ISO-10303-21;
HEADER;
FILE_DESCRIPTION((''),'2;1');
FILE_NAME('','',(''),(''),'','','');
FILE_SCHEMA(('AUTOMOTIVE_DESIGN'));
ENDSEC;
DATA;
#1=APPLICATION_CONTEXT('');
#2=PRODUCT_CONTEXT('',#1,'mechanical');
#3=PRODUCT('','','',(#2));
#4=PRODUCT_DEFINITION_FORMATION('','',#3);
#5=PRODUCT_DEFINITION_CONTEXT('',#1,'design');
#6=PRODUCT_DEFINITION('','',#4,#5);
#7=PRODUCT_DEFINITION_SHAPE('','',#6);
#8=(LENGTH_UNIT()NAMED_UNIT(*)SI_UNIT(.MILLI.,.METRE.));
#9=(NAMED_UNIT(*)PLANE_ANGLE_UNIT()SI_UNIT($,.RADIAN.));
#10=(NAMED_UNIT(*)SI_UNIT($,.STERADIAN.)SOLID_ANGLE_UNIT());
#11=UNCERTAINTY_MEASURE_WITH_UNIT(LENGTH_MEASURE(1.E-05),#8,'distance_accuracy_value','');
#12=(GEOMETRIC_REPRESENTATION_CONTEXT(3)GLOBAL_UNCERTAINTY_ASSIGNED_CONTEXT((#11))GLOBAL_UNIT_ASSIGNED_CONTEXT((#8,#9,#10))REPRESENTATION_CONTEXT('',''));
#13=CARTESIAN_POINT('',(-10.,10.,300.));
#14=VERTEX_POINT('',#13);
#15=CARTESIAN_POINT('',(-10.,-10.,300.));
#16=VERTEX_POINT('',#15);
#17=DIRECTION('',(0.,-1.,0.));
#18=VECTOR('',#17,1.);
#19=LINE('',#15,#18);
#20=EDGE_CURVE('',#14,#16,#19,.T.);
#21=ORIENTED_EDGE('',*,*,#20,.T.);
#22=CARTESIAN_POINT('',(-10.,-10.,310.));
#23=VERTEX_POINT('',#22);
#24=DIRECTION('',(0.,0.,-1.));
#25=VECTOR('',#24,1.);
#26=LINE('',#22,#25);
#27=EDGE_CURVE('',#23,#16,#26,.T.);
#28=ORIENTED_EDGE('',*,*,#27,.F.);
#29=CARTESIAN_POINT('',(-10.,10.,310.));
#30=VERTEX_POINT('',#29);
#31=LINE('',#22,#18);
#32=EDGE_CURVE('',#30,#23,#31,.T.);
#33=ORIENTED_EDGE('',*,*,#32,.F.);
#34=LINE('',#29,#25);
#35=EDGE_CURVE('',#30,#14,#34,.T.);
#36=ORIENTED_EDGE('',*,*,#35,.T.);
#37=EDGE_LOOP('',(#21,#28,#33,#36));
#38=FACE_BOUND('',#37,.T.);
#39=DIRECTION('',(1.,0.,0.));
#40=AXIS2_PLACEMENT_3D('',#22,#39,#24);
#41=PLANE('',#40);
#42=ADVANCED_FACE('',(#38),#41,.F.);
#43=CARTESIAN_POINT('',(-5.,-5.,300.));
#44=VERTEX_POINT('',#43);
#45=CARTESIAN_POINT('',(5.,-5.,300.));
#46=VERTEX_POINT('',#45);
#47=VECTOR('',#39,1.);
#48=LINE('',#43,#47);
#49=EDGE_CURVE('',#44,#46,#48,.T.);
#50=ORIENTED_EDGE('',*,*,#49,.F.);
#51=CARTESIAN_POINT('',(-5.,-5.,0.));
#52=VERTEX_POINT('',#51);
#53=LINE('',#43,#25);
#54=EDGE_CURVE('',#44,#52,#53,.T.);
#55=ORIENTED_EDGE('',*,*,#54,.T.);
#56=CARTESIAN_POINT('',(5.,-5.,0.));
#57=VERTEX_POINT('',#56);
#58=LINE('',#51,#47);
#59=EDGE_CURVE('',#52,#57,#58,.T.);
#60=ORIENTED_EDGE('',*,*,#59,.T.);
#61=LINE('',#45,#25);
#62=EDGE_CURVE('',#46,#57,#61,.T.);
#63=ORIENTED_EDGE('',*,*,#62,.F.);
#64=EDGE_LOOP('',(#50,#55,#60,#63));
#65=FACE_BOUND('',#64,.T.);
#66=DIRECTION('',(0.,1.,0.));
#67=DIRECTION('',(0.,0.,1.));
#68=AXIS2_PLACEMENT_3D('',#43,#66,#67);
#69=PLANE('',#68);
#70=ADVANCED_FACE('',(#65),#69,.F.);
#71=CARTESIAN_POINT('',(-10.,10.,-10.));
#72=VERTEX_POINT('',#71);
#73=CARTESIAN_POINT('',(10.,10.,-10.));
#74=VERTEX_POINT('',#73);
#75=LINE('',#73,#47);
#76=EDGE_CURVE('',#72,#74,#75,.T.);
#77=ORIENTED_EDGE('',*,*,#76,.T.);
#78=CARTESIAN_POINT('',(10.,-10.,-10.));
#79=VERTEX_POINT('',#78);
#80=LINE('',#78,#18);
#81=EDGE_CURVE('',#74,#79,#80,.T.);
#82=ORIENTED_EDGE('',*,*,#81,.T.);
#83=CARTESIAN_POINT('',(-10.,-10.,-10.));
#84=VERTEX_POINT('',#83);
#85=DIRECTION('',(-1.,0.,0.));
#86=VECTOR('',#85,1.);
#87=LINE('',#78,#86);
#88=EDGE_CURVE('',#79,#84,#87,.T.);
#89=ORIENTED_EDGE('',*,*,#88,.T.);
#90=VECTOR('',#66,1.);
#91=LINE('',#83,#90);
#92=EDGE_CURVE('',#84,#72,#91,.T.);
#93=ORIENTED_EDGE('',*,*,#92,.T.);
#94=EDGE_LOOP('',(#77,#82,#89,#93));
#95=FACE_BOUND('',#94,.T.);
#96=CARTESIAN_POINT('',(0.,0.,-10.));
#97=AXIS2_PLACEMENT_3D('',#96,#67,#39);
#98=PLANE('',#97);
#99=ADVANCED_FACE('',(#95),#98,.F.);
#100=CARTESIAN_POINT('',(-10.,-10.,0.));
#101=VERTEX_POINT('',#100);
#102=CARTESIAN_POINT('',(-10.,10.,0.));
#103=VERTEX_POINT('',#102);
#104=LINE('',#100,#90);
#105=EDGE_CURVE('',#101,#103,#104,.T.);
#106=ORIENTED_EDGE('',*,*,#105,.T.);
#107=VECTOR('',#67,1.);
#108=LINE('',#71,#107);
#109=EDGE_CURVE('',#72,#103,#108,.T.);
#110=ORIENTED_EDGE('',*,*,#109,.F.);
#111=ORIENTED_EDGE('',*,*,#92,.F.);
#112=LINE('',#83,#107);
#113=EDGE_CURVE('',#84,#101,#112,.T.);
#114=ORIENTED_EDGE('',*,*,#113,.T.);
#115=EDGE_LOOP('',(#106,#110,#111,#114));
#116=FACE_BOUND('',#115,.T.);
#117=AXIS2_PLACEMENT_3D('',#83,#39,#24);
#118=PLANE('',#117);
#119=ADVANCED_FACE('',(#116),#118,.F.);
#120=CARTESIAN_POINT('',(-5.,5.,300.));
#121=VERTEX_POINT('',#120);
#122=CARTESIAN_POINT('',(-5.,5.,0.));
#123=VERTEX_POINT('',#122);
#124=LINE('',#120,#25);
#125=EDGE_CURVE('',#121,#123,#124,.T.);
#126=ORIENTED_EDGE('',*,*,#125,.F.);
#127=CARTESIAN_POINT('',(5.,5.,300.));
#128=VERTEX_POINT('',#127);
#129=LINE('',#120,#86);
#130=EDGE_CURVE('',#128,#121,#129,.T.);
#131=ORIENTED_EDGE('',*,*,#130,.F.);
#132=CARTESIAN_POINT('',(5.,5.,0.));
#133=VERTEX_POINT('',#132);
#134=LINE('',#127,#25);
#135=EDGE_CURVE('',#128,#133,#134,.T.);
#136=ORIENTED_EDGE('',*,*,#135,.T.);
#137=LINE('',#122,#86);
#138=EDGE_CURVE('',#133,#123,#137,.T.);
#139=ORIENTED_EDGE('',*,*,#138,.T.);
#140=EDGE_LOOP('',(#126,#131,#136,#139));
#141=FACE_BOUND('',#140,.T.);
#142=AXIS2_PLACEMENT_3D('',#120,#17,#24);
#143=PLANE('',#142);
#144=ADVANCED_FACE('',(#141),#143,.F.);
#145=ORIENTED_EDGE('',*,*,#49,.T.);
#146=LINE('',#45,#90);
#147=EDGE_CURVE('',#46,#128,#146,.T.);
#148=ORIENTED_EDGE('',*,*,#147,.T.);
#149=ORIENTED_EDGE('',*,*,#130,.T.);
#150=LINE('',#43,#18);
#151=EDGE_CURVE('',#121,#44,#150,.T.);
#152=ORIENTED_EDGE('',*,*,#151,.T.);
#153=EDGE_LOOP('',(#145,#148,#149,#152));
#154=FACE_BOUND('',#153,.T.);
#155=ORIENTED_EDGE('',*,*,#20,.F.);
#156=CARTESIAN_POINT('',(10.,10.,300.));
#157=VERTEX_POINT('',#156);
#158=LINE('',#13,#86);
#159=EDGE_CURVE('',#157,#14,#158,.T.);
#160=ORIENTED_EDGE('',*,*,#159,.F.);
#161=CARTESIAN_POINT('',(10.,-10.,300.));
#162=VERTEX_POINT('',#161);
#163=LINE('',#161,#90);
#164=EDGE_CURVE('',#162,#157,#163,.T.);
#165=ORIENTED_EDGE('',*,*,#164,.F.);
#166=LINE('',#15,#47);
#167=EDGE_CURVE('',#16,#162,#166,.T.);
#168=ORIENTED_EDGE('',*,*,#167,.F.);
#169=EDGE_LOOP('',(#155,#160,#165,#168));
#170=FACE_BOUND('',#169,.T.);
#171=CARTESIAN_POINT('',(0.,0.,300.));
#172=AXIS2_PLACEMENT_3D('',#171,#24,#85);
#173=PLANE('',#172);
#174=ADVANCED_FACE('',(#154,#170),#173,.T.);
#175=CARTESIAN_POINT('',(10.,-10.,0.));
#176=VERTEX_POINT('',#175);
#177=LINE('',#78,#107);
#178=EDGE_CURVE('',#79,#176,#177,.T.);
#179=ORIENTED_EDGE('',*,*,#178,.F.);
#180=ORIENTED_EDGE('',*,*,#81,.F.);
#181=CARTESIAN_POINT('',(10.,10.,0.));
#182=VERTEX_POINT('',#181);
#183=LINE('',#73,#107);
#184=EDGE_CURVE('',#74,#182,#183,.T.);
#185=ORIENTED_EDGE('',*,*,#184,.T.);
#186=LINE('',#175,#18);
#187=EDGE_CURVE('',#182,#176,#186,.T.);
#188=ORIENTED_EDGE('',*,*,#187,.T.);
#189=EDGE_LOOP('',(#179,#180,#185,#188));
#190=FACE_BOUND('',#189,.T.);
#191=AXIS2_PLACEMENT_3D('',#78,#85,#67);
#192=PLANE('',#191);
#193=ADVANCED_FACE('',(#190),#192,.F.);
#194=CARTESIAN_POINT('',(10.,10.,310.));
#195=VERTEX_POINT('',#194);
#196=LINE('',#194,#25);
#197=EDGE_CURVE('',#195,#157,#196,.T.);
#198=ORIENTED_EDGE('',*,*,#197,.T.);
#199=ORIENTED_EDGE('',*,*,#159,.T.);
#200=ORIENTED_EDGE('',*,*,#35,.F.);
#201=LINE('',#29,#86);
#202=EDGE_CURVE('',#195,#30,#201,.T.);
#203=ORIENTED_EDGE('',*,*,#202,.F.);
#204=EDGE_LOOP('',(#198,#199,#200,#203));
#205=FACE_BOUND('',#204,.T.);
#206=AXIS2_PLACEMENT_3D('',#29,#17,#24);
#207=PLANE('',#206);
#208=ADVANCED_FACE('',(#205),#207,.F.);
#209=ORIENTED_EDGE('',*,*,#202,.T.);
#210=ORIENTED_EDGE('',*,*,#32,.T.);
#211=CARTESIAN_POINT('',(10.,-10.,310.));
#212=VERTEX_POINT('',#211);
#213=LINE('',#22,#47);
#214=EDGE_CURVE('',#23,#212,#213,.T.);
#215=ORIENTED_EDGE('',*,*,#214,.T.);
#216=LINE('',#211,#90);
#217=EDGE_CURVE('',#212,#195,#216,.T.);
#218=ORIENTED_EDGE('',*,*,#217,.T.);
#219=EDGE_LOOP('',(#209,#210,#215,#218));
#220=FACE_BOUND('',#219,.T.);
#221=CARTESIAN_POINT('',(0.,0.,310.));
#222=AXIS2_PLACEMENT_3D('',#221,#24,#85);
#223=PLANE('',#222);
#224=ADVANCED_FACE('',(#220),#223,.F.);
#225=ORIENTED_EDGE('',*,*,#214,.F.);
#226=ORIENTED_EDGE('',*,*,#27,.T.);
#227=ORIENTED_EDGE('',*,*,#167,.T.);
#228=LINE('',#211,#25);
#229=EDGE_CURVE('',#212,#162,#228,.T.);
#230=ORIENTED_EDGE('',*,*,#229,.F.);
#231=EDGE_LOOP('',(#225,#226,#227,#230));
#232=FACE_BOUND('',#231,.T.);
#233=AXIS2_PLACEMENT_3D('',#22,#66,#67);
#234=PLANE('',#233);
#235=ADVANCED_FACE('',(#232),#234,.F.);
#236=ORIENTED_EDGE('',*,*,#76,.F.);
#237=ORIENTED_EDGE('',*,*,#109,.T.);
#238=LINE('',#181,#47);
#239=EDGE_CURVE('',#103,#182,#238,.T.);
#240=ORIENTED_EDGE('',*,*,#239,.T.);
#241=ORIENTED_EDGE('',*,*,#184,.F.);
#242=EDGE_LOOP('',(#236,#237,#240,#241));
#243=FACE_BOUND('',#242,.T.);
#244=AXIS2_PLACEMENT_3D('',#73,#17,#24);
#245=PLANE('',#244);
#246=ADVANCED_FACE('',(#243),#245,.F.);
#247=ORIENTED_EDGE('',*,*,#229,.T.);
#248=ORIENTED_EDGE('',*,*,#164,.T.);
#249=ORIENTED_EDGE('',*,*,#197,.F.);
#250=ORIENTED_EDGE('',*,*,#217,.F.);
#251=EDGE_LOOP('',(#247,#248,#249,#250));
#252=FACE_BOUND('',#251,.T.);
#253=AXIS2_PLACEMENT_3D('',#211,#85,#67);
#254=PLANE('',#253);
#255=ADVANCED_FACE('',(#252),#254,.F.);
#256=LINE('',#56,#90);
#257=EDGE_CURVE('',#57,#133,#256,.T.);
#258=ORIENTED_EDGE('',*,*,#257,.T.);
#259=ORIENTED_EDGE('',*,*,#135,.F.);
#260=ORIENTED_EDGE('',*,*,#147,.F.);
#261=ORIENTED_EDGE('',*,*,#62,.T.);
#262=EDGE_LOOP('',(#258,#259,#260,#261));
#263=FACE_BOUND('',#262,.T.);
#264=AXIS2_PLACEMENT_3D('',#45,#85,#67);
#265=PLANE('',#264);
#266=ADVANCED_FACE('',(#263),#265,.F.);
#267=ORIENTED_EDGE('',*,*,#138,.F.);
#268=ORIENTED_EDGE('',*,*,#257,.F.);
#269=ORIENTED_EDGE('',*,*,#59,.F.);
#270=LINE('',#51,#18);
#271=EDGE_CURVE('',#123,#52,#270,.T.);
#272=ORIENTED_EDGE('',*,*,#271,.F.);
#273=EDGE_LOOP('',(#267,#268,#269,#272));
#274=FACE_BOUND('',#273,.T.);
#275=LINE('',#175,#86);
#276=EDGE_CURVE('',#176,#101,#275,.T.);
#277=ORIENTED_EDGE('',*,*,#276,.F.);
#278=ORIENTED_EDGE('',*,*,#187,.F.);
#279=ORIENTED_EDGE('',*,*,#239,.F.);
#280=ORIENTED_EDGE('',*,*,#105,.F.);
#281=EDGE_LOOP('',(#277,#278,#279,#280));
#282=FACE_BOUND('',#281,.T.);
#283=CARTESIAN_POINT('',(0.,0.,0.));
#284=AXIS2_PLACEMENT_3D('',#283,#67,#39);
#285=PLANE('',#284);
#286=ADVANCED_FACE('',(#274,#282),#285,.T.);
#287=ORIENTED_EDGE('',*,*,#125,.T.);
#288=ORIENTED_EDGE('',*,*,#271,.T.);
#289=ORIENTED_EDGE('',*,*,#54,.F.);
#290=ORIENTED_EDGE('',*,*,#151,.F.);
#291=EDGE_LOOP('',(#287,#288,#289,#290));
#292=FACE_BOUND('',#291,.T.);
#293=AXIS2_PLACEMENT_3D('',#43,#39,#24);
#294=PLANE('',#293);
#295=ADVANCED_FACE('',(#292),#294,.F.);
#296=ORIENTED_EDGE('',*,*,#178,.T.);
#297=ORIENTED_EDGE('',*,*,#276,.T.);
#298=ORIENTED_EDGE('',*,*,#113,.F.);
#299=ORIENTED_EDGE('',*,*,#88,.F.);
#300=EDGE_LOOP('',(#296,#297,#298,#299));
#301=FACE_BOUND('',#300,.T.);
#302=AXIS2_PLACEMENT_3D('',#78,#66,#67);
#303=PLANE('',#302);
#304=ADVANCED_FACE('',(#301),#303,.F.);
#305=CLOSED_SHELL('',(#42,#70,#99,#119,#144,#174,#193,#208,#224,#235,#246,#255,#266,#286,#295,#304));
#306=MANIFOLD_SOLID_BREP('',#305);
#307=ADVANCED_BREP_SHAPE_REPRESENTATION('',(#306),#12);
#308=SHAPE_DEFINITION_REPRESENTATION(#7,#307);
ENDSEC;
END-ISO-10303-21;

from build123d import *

# Parameters (mm, degrees)
SKETCH_1_W      = 10
SKETCH_1_H      = 10
EXTRUDE_1_DEPTH = 300
SKETCH_2_W      = 20
SKETCH_2_H      = 20
EXTRUDE_2_DEPTH = 10
SKETCH_3_W      = 20
SKETCH_3_H      = 20
EXTRUDE_3_DEPTH = 10


with BuildPart() as part:
    # 草图1 → 凸台-拉伸1 (new body)
    with BuildSketch(Plane.XY):
        Rectangle(SKETCH_1_W, SKETCH_1_H)
    extrude(amount=EXTRUDE_1_DEPTH)

    # 草图2 → 凸台-拉伸2 (add)
    with BuildSketch(Plane.XY.offset(300)):
        Rectangle(SKETCH_2_W, SKETCH_2_H)
    extrude(amount=EXTRUDE_2_DEPTH)

    # 草图3 → 凸台-拉伸3 (add)
    with BuildSketch(Plane(origin=(0, 0, 0), x_dir=(-1, 0, 0), z_dir=(0, 0, -1))):
        Rectangle(SKETCH_3_W, SKETCH_3_H)
    extrude(amount=EXTRUDE_3_DEPTH)


solid = part.part
